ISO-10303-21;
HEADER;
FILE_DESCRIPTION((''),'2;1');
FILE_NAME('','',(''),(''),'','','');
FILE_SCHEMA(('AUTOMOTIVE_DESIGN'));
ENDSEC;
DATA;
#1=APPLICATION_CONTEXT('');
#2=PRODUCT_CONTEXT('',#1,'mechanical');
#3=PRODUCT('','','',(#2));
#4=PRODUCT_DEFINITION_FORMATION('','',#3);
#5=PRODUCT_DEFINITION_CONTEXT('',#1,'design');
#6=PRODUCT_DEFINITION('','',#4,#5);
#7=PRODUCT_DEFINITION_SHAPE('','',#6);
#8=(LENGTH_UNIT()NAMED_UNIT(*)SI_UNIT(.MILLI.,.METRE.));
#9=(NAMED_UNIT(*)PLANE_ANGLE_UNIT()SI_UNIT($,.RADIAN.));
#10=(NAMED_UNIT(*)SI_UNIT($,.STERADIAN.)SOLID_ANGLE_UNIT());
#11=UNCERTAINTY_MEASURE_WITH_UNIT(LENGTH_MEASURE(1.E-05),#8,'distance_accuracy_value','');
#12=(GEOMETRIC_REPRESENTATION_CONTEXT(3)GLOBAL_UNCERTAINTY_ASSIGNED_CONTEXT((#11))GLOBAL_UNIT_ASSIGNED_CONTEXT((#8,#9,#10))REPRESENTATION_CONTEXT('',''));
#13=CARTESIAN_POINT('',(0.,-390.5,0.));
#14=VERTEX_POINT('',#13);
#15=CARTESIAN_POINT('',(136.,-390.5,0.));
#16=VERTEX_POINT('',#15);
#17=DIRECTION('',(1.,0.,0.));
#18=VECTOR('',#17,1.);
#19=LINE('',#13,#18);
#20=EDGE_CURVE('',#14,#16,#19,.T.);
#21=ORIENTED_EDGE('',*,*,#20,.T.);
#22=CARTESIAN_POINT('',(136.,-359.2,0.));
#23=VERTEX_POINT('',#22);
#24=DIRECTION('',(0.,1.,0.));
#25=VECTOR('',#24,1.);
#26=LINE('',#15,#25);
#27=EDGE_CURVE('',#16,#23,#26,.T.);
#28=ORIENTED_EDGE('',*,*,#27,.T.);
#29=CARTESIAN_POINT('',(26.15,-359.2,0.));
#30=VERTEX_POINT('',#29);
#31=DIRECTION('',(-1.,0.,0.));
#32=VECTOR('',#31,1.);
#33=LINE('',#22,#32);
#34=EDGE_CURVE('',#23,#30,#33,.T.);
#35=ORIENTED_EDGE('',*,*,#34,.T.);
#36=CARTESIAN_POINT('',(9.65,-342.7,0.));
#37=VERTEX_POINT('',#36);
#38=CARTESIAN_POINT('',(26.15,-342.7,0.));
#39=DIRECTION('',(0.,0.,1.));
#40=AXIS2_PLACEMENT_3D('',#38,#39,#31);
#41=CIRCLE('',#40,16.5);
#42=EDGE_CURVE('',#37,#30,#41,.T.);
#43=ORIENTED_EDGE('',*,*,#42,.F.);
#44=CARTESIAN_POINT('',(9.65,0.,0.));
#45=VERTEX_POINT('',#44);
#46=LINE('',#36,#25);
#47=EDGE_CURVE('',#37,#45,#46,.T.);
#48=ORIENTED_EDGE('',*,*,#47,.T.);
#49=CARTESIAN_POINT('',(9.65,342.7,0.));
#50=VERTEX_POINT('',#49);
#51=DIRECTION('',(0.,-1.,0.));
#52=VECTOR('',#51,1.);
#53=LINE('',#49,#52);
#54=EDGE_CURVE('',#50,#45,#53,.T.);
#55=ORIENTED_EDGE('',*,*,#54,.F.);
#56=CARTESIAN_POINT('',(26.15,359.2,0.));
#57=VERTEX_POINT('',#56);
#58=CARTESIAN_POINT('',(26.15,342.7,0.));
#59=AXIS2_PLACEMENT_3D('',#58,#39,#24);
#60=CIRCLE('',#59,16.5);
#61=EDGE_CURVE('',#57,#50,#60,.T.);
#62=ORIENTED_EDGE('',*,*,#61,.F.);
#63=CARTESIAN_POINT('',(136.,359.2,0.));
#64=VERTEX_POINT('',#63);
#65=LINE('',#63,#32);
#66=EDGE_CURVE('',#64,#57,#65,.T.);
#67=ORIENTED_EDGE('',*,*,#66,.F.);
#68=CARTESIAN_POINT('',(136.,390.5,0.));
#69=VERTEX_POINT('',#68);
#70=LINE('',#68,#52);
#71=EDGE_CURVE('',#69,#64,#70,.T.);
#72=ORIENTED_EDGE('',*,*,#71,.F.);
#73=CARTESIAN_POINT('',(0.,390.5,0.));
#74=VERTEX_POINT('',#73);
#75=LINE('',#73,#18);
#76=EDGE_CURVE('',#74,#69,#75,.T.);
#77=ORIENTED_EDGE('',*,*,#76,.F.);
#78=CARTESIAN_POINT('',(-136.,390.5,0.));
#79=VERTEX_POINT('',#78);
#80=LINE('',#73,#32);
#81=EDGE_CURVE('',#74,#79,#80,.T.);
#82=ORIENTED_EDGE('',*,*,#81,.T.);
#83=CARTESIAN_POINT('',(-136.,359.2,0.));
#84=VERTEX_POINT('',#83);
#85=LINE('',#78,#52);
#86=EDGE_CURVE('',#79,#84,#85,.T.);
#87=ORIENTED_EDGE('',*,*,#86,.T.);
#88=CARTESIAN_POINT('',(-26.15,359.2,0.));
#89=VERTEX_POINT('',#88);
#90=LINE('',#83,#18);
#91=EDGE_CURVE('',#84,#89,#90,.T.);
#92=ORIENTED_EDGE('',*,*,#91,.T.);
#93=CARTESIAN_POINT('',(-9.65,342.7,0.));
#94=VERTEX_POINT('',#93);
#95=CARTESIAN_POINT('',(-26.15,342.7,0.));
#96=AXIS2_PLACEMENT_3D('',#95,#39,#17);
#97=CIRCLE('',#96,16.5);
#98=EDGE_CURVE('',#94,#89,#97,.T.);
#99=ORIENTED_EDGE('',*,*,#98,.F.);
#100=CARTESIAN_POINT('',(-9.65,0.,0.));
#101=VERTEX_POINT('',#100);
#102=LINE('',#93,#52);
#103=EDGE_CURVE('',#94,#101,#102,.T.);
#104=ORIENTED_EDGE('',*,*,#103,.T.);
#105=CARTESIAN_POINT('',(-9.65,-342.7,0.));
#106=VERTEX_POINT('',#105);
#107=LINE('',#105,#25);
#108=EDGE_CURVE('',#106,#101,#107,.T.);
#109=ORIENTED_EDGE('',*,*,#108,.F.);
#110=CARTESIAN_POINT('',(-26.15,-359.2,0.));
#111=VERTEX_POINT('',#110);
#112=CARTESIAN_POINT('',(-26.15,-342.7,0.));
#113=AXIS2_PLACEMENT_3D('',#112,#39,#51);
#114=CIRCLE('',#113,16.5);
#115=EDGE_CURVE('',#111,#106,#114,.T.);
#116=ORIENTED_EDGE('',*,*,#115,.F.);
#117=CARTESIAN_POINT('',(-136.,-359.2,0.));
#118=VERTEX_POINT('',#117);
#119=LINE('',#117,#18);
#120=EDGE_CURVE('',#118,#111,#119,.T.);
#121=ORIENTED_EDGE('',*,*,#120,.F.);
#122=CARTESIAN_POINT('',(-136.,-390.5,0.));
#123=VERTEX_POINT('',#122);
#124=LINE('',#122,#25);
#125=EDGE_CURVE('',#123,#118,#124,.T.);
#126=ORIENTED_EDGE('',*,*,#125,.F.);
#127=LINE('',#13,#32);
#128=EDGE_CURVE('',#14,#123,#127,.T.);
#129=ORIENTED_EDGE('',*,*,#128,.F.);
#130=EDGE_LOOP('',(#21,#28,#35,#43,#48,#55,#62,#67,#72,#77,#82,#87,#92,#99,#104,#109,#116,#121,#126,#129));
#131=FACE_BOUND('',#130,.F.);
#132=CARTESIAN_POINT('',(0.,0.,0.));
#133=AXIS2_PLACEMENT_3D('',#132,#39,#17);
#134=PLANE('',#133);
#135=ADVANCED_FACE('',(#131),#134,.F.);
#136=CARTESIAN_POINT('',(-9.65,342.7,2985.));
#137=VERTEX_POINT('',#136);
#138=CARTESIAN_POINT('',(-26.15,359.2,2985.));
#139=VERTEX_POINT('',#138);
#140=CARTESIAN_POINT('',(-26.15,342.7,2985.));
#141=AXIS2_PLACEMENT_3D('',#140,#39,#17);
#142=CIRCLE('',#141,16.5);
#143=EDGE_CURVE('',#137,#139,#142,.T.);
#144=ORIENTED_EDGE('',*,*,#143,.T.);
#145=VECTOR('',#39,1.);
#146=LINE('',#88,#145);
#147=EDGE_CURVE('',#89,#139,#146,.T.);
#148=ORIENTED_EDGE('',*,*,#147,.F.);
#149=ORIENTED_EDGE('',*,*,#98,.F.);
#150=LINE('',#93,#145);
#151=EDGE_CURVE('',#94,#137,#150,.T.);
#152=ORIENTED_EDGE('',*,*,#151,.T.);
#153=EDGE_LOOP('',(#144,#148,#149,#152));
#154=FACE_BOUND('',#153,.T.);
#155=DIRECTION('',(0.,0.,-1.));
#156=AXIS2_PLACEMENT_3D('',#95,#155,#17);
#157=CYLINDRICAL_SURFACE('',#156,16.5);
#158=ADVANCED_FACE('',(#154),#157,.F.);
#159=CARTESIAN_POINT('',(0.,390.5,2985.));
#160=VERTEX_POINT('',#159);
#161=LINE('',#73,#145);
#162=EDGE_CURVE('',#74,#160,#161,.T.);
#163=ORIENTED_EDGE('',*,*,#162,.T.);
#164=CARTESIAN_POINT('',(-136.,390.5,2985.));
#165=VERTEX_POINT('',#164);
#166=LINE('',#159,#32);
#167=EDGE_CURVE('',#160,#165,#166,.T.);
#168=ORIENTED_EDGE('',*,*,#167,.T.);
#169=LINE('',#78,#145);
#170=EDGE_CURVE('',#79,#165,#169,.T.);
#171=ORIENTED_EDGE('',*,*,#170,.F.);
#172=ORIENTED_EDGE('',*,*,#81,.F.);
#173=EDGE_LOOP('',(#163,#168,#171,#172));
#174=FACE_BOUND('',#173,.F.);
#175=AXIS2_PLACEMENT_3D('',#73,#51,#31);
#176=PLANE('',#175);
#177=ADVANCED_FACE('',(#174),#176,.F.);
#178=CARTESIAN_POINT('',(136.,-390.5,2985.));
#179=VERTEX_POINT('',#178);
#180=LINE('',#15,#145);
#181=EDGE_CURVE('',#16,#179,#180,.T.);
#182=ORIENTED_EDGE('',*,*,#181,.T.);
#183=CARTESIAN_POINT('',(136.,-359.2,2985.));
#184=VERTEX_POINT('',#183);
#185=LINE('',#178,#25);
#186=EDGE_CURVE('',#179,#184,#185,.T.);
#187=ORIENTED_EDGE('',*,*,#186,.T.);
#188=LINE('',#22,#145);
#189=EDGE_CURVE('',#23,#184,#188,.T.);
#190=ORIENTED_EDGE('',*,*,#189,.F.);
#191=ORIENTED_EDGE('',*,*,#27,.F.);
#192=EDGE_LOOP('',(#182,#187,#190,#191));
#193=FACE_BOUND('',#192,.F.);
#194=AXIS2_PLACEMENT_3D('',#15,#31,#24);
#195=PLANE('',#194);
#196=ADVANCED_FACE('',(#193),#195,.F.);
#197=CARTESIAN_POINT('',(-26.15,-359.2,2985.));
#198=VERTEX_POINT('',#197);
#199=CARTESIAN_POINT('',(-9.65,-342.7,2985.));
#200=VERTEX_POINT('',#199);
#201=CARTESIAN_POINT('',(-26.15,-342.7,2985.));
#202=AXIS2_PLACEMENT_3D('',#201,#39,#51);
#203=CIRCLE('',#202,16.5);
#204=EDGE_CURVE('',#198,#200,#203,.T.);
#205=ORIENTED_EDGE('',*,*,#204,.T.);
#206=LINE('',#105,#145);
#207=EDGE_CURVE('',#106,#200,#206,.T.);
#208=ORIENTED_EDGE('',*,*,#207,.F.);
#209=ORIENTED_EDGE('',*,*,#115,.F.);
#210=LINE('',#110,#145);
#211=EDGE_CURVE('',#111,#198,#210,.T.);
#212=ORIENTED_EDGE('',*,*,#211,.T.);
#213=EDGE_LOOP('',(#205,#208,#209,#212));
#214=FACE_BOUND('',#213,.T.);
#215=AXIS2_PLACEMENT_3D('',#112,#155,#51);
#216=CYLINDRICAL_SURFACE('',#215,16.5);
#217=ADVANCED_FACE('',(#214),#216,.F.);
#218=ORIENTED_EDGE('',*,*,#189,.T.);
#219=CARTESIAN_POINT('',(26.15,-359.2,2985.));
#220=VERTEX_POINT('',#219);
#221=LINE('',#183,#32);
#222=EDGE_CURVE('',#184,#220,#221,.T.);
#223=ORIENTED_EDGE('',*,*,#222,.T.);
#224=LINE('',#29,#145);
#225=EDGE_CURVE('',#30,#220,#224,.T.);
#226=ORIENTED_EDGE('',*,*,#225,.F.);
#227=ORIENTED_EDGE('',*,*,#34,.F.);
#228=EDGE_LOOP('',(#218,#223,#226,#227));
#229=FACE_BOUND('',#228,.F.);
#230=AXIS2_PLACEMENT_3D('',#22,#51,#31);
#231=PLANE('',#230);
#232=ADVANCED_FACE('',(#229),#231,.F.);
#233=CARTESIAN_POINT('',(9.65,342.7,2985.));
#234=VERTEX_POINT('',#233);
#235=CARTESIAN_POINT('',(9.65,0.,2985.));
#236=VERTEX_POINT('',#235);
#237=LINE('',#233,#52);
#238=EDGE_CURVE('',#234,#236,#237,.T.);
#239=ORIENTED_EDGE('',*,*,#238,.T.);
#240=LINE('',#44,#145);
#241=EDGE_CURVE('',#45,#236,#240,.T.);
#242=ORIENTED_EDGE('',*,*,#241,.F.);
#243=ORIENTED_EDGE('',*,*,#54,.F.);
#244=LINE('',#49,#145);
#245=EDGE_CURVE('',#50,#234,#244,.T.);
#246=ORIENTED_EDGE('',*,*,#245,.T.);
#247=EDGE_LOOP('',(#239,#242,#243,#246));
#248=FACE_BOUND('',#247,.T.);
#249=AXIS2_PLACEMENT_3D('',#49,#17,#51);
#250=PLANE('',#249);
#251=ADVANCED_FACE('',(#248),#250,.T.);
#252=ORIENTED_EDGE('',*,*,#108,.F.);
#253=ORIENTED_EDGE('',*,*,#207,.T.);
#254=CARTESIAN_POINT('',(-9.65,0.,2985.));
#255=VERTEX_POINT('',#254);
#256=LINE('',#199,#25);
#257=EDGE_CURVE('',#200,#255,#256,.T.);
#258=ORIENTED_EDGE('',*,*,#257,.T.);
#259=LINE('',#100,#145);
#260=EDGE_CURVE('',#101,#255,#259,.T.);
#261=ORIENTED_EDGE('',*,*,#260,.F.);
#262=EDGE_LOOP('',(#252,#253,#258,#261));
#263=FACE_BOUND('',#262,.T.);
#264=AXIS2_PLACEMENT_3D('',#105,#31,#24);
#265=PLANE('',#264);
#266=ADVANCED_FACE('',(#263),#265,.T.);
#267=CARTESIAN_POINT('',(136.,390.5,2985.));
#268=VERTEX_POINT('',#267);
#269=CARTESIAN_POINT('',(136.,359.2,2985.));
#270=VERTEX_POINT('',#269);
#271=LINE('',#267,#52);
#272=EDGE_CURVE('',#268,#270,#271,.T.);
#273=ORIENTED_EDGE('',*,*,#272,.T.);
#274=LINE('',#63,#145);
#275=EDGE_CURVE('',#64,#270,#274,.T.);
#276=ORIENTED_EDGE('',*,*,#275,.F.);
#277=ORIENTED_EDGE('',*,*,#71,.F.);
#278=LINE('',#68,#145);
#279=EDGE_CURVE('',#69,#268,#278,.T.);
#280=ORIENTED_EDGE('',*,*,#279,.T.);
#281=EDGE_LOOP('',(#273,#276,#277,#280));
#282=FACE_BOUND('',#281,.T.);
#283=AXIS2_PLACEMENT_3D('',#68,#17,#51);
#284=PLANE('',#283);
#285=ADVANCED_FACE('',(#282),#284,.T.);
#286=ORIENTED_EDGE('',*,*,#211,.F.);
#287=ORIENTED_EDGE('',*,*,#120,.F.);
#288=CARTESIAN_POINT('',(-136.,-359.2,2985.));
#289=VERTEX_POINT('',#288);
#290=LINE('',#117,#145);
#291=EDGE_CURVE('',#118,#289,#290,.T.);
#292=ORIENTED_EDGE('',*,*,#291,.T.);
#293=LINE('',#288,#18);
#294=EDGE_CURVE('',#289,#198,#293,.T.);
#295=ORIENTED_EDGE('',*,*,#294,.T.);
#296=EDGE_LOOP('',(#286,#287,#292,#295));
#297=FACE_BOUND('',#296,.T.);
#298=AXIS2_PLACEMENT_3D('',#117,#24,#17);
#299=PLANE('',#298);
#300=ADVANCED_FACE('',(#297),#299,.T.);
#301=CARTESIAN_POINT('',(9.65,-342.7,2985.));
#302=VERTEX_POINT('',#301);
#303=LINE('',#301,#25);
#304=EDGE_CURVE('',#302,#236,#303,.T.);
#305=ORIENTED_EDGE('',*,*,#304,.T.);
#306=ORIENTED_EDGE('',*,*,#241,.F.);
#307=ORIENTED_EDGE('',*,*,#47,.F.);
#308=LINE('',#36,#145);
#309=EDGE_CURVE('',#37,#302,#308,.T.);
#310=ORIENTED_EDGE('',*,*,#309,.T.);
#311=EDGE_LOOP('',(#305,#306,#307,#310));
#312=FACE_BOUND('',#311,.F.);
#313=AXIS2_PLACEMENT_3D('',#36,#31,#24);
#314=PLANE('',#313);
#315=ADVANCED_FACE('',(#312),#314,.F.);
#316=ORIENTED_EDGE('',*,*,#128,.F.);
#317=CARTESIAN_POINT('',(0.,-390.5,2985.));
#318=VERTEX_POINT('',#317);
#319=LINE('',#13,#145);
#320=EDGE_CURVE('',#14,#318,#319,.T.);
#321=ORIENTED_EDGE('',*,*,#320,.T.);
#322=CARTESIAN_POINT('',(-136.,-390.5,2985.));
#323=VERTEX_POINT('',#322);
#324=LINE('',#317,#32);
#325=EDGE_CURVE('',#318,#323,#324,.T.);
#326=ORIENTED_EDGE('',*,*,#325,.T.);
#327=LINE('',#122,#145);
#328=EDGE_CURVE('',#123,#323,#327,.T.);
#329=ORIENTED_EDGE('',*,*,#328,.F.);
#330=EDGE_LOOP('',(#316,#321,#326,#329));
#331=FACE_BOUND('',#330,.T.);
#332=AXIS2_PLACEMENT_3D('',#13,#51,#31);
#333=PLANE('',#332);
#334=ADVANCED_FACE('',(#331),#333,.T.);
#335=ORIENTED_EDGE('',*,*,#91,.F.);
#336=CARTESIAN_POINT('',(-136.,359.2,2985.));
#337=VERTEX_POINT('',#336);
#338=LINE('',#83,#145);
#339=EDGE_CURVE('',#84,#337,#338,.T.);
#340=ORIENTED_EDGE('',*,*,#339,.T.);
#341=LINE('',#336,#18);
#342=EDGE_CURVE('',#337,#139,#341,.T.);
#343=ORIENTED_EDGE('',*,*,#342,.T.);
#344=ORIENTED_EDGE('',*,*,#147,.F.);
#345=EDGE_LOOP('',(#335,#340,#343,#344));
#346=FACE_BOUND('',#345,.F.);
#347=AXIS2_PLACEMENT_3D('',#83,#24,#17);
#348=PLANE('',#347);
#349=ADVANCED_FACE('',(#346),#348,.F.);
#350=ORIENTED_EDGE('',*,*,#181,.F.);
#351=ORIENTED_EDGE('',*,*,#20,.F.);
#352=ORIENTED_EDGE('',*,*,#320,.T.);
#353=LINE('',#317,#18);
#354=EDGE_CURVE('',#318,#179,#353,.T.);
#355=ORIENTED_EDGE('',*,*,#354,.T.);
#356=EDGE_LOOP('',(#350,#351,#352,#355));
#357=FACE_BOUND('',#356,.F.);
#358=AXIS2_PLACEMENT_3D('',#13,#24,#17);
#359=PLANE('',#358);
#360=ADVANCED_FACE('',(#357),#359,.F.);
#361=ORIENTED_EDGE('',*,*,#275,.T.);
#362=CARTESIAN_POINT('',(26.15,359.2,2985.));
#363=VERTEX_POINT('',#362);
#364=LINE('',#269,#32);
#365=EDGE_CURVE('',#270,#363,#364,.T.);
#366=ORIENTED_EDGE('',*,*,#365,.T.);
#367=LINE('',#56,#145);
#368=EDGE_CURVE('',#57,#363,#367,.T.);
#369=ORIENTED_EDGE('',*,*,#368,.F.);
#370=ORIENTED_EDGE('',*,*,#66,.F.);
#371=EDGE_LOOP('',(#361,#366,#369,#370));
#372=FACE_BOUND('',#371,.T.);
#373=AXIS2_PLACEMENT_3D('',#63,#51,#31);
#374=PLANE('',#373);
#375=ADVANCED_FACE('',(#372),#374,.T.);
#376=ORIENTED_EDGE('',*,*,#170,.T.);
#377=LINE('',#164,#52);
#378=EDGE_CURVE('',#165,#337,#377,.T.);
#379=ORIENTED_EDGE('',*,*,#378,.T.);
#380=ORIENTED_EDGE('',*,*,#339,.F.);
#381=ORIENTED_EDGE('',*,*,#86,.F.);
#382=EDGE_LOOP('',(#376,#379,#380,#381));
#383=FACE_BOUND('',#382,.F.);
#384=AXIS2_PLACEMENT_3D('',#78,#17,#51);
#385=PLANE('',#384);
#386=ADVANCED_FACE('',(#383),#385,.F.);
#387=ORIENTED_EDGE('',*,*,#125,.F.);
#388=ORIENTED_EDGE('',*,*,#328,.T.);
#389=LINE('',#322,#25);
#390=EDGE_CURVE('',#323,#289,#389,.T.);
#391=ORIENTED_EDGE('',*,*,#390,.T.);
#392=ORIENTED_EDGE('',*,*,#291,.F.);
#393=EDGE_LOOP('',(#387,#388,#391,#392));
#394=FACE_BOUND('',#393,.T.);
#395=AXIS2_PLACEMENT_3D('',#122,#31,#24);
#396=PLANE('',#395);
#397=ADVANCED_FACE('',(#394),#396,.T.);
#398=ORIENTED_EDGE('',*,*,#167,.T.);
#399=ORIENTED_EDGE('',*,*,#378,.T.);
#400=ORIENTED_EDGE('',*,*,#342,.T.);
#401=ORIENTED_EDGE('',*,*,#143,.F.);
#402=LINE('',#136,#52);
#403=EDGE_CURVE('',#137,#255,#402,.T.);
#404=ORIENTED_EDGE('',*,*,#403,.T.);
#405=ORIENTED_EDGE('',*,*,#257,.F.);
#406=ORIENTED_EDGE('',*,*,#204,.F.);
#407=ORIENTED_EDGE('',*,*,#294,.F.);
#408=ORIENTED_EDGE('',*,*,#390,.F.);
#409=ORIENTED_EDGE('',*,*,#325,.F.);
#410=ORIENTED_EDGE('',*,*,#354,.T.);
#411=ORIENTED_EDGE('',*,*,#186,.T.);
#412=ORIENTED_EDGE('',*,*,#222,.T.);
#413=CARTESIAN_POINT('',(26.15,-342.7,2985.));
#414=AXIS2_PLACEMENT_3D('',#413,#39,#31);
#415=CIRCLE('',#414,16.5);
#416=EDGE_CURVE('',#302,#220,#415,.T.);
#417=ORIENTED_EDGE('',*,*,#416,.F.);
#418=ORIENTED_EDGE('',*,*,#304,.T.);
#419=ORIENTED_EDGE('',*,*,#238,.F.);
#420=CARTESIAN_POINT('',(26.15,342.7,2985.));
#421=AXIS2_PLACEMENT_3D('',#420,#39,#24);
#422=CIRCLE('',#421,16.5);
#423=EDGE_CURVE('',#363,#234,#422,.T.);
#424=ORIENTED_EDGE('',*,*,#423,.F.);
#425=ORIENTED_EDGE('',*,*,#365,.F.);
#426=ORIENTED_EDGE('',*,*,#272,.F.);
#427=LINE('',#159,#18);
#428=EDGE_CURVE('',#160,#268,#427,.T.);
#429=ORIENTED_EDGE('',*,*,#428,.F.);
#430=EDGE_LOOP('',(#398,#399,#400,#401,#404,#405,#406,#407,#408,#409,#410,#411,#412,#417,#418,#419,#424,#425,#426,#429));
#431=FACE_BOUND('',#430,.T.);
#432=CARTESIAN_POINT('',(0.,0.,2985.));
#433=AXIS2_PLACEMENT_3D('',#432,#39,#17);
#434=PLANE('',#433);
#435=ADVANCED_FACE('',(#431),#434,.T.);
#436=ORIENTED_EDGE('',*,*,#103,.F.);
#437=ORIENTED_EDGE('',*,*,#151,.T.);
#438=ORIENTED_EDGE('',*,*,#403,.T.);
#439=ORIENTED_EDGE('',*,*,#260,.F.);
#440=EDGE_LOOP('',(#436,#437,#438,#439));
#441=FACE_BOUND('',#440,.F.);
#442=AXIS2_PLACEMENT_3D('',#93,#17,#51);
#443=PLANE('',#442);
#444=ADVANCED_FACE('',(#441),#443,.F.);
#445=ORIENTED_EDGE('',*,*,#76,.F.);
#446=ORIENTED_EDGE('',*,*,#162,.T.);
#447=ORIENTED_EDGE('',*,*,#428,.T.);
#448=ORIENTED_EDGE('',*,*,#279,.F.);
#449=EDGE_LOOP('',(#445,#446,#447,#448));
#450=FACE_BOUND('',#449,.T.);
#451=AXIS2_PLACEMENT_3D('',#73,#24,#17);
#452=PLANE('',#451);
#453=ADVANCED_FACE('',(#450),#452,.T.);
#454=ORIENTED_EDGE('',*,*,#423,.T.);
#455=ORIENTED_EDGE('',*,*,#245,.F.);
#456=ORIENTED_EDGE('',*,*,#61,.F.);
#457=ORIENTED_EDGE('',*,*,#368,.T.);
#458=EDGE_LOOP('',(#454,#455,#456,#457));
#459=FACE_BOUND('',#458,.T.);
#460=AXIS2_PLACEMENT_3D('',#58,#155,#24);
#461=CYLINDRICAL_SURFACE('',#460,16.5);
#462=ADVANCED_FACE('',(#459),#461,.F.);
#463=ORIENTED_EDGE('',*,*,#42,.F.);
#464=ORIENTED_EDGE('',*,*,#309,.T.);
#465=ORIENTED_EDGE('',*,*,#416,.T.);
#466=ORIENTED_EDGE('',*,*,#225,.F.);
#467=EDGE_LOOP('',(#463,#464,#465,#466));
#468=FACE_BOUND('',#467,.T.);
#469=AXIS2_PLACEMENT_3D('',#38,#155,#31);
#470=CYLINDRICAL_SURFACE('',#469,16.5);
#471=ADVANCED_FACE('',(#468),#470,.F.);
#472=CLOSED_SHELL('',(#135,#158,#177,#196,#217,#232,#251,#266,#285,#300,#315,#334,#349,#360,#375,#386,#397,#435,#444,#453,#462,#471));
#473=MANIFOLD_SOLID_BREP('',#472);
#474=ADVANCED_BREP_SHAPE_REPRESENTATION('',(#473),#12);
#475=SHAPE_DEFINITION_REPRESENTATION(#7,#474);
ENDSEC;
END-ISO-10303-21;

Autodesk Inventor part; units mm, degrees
ref_plane "YZ Plane" through (0, 0, 0) normal (1, 0, 0) x (0, 1, 0)
ref_plane "Start plane" through (0, 0, 0) normal (0, 0, 1) x (1, 0, 0)
ref_plane "End plane" through (0, 0, 2985) normal (0, 0, 1) x (1, 0, 0)
sketch "Sketch" plane through (0, 0, 0) normal (0, 0, 1) x (1, 0, 0)
  line L0 (-136, -390.5) -> (-136, -359.2)
  line L1 (-136, -359.2) -> (-26.15, -359.2)
  line L2 (-9.65, -342.7) -> (-9.65, 0)
  line L3 (-9.65, 0) -> (0, 0) construction
  line L4 (0, 0) -> (0, -390.5) construction
  line L5 (0, -390.5) -> (-136, -390.5)
  line L6 (-60, 0) -> (80, 0) construction
  line L7 (0, -60) -> (0, 80) construction
  line L8 (136, -390.5) -> (136, -359.2)
  line L9 (136, -359.2) -> (26.15, -359.2)
  line L10 (9.65, -342.7) -> (9.65, 0)
  line L11 (9.65, 0) -> (0, 0) construction
  line L12 (0, -390.5) -> (136, -390.5)
  line L13 (-136, 390.5) -> (-136, 359.2)
  line L14 (-136, 359.2) -> (-26.15, 359.2)
  line L15 (-9.65, 342.7) -> (-9.65, 0)
  line L16 (0, 390.5) -> (-136, 390.5)
  line L17 (136, 390.5) -> (136, 359.2)
  line L18 (136, 359.2) -> (26.15, 359.2)
  line L19 (0, 390.5) -> (136, 390.5)
  line L20 (9.65, 342.7) -> (9.65, 0)
  arc A0 (-9.65, 342.7) -> (-26.15, 359.2) centre (-26.15, 342.7) ccw
  arc A1 (26.15, 359.2) -> (9.65, 342.7) centre (26.15, 342.7) ccw
  arc A2 (9.65, -342.7) -> (26.15, -359.2) centre (26.15, -342.7) ccw
  arc A3 (-26.15, -359.2) -> (-9.65, -342.7) centre (-26.15, -342.7) ccw
  line L21 (0, 108) -> (0, -88) construction
  line L22 (-88, 0) -> (108, 0) construction
  point P0 (-9.65, -359.2)
  point P1 (9.65, -359.2)
  point P2 (-9.65, 359.2)
  point P3 (9.65, 359.2)
  dimension "d1" = 390.5
  dimension "d2" = 31.3
  dimension "d3" = 136
  dimension "d4" = 9.65
  dimension "d10" = 16.5
extrude "Body" add sketch "Sketch" along normal up to surface (2985 mm away) from surface at 0
sketch "Sketch4" plane through (0, 0, 0) normal (0, 0, 1) x (1, 0, 0)
  line L0 (0, 0) -> (10, 0)
ref_plane "Work Plane3" through (0, 0, 0) normal (0, -1, 0) x (1, 0, 0)
sketch "Sketch5" plane through (0, 0, 0) normal (0, -1, 0) x (1, 0, 0)
  line L0 (-2, 0) -> (12, 0) projected
  line L1 (-2, 2985) -> (12, 2985) projected
  dimension "d14" = 2985
equation "\"d1\" = 0.5 * G_H"
equation "\"d2\" = G_T1"
equation "\"d3\" = 0.5 * G_W"
equation "\"d4\" = 0.5 * G_T"
equation "\"d10\" = G_IR"
equation "\"d5\" = G_L"
equation "\"G_W\" = 272"
equation "\"G_H\" = 781"
equation "\"G_T\" = 19.3"
equation "\"G_T1\" = 31.3"
equation "\"G_IR\" = 16.5"
equation "\"G_L\" = d14"
equation "\"G_OFFSET_START\" = 0"
equation "\"G_OFFSET_END\" = 0"
equation "\"d12\" = G_OFFSET_END + B_L"
equation "\"B_L\" = 2985"
properties part number "AS 3679-1990 - 760 UB - 244 - 2985" material "Steel, Mild"
